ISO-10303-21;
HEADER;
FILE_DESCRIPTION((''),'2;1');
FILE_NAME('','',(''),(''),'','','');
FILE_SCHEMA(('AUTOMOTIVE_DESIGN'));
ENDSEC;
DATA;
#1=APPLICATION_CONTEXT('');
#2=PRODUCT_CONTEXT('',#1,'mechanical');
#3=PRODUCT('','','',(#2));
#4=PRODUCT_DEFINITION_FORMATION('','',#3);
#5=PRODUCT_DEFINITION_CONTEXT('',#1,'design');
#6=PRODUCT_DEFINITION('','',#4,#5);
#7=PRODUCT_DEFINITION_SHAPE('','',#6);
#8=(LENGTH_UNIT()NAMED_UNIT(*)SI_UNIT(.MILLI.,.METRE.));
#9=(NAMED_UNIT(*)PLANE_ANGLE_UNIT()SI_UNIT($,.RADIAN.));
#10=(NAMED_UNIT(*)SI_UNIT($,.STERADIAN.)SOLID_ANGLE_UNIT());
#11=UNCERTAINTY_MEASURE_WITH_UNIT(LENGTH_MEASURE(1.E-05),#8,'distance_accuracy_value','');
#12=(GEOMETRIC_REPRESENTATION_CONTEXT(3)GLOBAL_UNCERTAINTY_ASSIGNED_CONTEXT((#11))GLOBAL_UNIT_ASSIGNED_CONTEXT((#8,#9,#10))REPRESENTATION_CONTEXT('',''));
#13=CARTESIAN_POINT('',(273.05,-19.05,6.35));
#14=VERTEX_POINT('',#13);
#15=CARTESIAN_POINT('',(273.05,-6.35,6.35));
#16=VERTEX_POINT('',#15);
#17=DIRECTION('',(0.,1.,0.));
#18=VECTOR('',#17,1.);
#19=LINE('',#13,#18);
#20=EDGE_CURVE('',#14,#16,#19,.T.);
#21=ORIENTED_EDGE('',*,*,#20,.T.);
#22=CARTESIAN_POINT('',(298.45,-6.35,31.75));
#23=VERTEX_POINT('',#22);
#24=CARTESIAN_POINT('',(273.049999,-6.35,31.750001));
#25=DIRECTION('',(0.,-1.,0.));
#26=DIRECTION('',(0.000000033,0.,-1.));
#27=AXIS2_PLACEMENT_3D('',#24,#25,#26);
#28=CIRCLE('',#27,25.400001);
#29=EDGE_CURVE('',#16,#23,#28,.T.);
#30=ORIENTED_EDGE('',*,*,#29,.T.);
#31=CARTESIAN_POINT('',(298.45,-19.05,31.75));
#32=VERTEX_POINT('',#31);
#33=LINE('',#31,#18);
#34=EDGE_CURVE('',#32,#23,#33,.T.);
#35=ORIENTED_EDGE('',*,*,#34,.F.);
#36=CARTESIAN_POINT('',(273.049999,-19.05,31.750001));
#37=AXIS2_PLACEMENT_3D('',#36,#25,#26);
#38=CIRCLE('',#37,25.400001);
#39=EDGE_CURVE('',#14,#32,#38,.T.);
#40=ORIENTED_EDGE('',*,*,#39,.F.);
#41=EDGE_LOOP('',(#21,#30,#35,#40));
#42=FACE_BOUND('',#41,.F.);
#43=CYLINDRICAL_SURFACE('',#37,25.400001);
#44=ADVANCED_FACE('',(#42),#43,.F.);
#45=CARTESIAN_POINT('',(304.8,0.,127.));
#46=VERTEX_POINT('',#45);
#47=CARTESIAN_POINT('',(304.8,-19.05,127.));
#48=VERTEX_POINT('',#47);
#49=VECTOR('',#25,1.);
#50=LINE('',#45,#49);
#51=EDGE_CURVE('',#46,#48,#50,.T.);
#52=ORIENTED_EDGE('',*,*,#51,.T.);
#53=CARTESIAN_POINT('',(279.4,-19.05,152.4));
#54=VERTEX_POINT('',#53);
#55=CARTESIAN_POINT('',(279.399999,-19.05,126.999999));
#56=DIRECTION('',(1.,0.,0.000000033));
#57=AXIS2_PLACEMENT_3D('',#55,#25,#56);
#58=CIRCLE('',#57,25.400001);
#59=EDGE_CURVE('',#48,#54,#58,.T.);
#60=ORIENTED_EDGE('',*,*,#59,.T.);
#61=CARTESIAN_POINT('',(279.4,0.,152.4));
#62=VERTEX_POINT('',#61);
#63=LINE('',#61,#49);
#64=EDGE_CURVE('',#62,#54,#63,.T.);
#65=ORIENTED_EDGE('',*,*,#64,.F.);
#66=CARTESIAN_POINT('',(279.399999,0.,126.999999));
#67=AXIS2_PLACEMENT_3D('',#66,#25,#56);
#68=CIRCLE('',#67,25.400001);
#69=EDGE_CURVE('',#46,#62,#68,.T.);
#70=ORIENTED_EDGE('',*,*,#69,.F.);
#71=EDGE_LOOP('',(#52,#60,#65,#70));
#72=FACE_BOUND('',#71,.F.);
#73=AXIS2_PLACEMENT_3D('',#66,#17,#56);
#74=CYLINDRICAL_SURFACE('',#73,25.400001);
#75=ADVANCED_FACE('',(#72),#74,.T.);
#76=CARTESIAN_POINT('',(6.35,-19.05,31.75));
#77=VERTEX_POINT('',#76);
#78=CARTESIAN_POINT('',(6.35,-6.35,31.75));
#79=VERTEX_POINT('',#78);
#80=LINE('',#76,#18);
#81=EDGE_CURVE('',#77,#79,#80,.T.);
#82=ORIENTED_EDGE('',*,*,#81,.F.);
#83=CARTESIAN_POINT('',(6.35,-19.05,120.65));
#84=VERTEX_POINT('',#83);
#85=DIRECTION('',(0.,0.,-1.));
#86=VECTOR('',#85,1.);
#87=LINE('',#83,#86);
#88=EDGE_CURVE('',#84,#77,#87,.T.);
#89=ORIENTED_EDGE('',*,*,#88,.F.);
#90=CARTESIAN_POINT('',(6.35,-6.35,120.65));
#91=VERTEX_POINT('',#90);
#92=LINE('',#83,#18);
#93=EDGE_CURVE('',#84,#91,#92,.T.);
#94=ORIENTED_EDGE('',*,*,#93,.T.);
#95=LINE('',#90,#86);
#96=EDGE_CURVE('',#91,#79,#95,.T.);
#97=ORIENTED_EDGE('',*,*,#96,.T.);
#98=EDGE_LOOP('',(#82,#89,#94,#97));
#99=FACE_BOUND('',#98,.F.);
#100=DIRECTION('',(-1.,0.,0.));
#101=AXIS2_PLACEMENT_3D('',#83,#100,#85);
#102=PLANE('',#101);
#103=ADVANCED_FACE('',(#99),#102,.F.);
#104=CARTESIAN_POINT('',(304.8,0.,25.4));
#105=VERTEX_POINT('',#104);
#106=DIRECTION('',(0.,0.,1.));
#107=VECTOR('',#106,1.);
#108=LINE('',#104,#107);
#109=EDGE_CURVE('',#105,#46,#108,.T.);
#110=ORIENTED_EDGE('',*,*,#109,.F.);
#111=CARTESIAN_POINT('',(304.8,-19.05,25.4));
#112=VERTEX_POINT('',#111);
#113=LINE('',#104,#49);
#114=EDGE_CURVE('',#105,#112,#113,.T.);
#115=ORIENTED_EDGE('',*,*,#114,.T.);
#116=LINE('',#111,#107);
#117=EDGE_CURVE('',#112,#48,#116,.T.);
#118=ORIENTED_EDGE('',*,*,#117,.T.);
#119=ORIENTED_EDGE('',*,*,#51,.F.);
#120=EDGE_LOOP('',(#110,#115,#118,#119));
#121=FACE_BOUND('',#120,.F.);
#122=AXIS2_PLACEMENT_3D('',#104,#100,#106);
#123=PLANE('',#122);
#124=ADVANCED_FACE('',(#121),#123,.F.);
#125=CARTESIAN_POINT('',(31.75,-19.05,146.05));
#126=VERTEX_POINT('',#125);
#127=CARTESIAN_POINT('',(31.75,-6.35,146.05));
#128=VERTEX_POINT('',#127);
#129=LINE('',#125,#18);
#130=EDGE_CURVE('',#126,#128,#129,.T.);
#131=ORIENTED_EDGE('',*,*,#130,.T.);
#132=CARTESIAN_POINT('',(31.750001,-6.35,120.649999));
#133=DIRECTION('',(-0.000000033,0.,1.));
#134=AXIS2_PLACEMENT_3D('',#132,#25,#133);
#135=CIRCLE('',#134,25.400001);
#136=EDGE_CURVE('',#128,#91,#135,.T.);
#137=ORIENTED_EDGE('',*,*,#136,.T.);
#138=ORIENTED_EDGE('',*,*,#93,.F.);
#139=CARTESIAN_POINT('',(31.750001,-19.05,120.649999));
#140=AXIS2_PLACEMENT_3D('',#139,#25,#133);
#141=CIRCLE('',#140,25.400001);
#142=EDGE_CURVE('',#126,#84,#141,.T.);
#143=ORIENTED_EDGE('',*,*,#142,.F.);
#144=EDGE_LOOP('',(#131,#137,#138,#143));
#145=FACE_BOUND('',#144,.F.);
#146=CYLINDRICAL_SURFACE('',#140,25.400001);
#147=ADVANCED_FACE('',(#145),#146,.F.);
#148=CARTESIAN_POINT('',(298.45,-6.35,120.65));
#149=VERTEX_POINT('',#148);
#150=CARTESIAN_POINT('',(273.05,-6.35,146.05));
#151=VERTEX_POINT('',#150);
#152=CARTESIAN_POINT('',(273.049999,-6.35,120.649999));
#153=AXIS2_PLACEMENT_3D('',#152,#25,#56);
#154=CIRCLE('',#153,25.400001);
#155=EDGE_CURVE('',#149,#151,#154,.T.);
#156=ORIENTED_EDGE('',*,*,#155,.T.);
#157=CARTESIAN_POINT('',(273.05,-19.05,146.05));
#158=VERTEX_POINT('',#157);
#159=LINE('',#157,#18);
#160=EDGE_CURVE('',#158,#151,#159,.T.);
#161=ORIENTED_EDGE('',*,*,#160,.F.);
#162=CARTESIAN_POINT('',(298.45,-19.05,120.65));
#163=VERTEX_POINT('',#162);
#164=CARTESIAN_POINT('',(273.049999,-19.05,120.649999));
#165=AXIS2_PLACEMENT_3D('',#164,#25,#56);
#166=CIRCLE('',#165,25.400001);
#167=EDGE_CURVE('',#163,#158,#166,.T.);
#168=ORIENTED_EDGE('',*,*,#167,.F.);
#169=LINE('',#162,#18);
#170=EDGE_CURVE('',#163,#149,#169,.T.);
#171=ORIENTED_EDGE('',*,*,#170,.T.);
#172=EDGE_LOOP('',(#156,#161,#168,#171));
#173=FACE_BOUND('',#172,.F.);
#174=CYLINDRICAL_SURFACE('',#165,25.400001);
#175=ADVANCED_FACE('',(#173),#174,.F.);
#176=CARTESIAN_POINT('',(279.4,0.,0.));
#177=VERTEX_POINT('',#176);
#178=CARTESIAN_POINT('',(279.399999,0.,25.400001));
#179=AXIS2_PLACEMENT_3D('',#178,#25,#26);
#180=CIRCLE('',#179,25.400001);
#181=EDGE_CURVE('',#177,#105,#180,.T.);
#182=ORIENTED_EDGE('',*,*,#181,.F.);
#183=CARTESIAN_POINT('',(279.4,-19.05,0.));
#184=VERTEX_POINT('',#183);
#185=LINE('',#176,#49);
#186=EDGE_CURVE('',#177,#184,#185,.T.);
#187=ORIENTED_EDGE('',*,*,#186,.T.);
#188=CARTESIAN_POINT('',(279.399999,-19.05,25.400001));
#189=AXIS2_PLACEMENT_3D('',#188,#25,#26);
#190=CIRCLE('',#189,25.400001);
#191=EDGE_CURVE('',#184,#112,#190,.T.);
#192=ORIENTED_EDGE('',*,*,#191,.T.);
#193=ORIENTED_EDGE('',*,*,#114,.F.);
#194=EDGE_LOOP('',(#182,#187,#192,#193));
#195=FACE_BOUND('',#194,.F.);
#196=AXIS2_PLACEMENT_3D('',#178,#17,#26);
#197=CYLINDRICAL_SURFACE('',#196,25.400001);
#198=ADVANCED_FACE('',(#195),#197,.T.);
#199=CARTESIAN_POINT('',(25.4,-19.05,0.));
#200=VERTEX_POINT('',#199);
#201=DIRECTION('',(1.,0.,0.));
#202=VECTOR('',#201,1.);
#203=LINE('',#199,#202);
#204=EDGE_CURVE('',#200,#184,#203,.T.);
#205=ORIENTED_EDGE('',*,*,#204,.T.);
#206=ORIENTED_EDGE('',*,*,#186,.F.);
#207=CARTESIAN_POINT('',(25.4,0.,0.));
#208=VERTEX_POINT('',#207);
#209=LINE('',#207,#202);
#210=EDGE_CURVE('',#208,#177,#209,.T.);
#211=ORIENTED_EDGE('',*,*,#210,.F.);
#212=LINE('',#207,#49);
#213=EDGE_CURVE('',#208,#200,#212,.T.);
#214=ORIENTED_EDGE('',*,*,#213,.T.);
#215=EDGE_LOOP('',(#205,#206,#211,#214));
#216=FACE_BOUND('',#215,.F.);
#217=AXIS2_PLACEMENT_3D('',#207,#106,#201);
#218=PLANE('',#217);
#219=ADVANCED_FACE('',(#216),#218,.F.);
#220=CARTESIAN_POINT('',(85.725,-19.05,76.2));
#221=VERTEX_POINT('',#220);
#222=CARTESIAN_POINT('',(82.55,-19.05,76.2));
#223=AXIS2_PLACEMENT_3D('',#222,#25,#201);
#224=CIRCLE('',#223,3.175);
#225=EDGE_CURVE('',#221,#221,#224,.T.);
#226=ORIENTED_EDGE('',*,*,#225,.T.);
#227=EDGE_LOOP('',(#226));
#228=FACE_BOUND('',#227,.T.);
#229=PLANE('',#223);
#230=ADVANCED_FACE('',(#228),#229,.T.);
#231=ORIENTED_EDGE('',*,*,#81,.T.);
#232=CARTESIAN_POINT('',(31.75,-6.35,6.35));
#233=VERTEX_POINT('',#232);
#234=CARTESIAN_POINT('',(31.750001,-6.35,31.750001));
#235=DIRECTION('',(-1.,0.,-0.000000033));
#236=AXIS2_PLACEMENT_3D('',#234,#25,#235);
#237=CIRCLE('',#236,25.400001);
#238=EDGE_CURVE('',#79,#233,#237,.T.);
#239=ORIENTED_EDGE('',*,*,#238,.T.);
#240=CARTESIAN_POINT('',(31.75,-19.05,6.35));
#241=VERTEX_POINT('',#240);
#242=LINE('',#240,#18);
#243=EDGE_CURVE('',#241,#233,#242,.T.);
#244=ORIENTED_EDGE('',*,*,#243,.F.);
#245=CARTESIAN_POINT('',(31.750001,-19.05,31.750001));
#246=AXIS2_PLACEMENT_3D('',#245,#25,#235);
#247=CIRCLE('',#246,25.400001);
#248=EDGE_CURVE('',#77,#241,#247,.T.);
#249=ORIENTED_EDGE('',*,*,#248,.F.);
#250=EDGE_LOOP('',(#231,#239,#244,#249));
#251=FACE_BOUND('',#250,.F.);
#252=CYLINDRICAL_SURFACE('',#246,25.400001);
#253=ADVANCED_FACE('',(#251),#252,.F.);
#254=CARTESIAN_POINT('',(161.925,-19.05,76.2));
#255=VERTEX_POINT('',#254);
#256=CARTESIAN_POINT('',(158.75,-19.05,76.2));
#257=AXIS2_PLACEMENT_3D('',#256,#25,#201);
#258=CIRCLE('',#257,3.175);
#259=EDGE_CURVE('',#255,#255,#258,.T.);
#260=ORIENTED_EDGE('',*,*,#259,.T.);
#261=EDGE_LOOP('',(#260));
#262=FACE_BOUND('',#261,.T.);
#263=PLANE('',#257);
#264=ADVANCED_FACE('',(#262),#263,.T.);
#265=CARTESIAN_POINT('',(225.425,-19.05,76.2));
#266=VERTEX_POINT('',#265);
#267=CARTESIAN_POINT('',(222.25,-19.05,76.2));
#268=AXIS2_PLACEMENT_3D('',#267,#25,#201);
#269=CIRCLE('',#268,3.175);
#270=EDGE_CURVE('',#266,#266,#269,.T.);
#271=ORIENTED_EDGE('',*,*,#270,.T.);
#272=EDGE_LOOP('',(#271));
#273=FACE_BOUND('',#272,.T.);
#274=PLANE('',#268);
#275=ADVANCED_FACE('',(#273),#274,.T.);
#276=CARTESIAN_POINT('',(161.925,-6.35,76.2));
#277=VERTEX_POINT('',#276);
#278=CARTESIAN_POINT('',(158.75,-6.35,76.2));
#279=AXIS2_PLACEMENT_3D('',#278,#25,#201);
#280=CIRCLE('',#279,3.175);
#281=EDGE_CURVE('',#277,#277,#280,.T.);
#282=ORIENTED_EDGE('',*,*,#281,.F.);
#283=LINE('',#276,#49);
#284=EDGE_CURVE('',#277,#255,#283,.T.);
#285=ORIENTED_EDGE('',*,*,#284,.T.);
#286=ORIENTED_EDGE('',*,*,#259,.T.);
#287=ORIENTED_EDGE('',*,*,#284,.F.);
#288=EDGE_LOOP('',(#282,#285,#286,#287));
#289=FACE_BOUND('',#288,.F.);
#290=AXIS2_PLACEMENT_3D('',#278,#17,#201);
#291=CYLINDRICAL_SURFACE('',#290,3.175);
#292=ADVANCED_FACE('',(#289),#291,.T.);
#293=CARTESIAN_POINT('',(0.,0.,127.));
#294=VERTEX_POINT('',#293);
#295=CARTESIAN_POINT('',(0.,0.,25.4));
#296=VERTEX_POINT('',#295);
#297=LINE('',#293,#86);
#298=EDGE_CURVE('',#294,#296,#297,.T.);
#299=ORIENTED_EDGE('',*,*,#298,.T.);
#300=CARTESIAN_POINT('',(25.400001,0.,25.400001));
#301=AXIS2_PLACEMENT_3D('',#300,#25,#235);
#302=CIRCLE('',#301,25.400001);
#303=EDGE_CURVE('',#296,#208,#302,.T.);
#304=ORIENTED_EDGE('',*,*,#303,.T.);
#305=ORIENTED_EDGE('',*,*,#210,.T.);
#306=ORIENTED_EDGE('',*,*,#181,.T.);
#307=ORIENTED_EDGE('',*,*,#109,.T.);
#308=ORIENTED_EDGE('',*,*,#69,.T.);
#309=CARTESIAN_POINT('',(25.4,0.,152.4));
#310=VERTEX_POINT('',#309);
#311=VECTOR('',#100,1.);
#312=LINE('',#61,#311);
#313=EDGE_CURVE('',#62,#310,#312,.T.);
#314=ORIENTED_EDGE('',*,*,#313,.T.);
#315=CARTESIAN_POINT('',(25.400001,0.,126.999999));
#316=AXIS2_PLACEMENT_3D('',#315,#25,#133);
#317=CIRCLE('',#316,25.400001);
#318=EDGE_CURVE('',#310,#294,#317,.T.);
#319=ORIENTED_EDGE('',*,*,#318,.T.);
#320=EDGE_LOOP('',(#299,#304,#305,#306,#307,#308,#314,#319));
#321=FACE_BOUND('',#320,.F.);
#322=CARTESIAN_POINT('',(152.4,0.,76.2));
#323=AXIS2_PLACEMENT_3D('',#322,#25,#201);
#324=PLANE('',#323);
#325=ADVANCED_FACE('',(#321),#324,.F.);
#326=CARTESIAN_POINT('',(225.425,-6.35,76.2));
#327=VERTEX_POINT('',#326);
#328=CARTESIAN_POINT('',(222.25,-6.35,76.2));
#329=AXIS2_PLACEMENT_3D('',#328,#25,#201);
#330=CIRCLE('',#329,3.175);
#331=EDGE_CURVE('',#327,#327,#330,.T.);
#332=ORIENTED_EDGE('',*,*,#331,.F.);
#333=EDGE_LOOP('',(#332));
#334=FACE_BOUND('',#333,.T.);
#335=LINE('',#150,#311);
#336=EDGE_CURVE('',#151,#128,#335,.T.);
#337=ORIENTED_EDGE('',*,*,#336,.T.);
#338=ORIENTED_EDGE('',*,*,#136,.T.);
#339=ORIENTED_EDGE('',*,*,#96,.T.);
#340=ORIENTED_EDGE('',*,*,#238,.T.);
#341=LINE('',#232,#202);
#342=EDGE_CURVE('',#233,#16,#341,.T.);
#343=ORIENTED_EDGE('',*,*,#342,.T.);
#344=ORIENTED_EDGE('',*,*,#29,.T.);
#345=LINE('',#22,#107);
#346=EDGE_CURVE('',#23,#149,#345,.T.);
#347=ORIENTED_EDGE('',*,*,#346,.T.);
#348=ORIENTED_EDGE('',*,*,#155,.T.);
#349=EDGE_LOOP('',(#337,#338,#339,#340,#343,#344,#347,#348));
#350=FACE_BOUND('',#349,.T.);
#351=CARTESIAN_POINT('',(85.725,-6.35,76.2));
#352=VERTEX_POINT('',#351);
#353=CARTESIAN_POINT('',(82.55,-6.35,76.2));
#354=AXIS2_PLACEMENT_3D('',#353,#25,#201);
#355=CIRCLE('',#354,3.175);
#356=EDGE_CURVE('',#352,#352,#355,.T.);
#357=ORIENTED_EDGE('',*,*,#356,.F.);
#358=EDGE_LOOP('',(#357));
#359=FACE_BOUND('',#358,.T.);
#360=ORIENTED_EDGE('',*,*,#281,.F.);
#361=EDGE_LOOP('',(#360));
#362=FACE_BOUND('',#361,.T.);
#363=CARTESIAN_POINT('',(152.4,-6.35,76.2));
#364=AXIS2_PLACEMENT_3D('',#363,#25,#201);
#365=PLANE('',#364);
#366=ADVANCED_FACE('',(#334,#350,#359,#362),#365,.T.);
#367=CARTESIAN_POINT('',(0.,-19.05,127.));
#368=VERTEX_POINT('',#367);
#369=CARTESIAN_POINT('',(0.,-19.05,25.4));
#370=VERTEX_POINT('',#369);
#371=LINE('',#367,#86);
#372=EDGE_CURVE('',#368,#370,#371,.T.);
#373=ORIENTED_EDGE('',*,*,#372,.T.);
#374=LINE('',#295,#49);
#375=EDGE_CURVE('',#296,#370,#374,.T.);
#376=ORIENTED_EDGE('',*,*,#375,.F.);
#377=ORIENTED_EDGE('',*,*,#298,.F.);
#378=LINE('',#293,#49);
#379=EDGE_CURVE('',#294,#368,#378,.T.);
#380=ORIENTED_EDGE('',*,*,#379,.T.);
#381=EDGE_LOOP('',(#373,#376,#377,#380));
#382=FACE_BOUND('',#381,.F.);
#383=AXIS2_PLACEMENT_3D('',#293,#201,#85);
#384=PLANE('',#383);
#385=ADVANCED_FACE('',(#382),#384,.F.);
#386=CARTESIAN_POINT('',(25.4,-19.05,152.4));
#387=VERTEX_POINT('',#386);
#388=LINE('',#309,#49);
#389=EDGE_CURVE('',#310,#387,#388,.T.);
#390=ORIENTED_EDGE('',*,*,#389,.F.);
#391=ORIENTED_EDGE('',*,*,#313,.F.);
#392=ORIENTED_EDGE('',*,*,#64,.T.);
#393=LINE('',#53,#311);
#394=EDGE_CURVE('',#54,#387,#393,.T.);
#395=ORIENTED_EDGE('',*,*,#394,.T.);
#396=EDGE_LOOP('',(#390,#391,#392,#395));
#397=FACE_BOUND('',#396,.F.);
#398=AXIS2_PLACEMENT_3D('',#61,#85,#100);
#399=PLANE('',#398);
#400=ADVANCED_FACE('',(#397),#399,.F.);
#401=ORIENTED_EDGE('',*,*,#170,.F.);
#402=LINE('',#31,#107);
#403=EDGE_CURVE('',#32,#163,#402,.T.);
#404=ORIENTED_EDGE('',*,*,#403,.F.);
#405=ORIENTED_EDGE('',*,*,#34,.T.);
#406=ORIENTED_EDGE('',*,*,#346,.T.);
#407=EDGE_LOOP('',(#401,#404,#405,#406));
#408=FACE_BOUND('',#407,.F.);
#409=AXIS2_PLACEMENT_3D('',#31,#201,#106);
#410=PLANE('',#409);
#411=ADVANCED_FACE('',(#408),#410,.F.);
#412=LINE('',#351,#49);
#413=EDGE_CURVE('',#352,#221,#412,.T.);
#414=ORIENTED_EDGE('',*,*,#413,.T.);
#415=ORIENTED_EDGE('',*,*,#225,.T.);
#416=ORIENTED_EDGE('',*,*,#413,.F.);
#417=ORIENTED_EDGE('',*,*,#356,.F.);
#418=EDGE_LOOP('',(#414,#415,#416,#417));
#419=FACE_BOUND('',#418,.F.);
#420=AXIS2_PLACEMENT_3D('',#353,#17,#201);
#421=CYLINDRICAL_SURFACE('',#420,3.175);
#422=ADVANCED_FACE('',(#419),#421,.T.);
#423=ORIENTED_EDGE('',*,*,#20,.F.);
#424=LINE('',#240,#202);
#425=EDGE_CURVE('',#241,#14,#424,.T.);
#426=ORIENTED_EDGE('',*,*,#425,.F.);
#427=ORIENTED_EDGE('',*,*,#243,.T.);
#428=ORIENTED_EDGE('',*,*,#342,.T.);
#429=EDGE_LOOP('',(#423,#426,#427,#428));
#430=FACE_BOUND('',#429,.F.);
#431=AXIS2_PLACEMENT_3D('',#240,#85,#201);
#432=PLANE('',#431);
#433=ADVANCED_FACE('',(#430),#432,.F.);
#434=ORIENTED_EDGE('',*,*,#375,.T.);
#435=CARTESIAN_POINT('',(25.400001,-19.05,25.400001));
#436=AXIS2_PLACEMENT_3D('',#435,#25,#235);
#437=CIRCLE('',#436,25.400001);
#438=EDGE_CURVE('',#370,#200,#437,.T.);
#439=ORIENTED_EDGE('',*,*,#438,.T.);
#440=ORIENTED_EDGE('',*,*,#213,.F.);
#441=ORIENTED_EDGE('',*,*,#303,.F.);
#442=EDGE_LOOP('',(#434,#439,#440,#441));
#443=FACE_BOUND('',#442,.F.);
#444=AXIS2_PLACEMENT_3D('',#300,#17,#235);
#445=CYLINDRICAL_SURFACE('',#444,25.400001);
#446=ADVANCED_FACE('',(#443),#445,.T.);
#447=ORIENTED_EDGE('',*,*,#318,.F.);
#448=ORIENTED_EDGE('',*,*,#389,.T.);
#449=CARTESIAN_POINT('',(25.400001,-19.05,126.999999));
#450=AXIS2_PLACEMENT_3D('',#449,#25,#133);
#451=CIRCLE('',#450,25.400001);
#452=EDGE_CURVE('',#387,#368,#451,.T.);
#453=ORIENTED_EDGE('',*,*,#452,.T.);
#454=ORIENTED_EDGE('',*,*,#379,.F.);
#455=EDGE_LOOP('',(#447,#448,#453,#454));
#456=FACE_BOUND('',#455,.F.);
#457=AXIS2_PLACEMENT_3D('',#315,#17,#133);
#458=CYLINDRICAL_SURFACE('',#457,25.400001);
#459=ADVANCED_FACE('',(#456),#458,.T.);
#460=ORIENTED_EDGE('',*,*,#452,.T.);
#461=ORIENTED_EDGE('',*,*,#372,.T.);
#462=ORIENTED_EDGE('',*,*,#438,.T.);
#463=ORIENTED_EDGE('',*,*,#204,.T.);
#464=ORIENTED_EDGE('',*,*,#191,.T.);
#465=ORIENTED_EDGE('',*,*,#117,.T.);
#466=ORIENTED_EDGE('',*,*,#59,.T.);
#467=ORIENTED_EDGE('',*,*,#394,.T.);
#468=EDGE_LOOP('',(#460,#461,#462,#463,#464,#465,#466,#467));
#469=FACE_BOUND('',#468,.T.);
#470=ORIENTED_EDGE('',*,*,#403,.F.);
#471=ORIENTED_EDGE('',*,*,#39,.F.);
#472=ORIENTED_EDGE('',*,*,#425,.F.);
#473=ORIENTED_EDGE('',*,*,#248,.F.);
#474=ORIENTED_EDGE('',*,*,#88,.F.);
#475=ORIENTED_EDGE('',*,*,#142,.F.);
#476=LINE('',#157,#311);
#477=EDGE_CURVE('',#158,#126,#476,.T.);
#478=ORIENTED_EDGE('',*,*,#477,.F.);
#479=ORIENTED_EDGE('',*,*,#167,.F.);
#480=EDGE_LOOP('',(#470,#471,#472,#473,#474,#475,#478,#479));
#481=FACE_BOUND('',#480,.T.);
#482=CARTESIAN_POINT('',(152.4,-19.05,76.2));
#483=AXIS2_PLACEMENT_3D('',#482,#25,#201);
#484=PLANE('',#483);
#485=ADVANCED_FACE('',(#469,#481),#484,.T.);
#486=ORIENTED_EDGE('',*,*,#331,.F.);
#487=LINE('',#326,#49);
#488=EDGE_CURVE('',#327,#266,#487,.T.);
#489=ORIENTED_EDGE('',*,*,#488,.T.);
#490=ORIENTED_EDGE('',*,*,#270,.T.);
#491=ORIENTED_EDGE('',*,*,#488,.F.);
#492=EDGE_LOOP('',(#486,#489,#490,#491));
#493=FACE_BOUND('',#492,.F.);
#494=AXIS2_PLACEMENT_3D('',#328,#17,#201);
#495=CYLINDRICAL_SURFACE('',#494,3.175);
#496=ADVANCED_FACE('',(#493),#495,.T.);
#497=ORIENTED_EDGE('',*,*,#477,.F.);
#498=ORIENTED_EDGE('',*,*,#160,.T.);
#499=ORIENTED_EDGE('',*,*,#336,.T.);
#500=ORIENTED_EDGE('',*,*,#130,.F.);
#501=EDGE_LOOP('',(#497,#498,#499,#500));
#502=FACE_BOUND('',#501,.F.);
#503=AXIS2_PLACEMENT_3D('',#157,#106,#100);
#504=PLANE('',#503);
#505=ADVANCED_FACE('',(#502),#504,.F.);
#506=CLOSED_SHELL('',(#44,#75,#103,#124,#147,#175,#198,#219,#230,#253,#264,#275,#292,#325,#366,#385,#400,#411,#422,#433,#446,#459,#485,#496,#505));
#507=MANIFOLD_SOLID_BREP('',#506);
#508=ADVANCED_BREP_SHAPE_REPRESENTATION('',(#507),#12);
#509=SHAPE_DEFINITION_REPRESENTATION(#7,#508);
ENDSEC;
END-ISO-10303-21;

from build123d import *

# Parameters (mm, degrees)
F1_DEPTH = 19.05
F3_DEPTH = 12.7
F4_R     = 3.175
F5_DEPTH = 12.7


with BuildPart() as f1:
    # F0 (on Front) → F1 (new body)
    with BuildSketch(Plane.XZ):
        with BuildLine():
            ThreePointArc((0, 25.4), (7.439488, 7.439488), (25.4, 0))
            Line((25.4, 0), (279.4, 0))
            ThreePointArc((279.4, 0), (297.360512, 7.439488), (304.8, 25.4))
            Line((304.8, 25.4), (304.8, 127))
            ThreePointArc((304.8, 127), (297.360512, 144.960512), (279.4, 152.4))
            Line((279.4, 152.4), (25.4, 152.4))
            ThreePointArc((25.4, 152.4), (7.439488, 144.960512), (0, 127))
            Line((0, 127), (0, 25.4))
        make_face()
    extrude(amount=F1_DEPTH)

    # F2 (on face) → F3 (cut)
    with BuildSketch(Plane.XZ.offset(19.05)):
        with BuildLine():
            ThreePointArc((6.35, 31.75), (13.789488, 13.789488), (31.75, 6.35))
            Line((31.75, 6.35), (273.05, 6.35))
            ThreePointArc((273.05, 6.35), (291.010512, 13.789488), (298.45, 31.75))
            Line((298.45, 31.75), (298.45, 120.65))
            ThreePointArc((298.45, 120.65), (291.010512, 138.610512), (273.05, 146.05))
            Line((273.05, 146.05), (31.75, 146.05))
            ThreePointArc((31.75, 146.05), (13.789488, 138.610512), (6.35, 120.65))
            Line((6.35, 120.65), (6.35, 31.75))
        make_face()
    extrude(amount=-F3_DEPTH, mode=Mode.SUBTRACT)

    # F4 (on face) → F5 (join)
    with BuildSketch(Plane.XZ.offset(6.35)):
        with Locations((82.55, 76.2)):
            Circle(F4_R)
        with Locations((158.75, 76.2)):
            Circle(F4_R)
        with Locations((222.25, 76.2)):
            Circle(F4_R)
    extrude(amount=F5_DEPTH)


solid = f1.part
